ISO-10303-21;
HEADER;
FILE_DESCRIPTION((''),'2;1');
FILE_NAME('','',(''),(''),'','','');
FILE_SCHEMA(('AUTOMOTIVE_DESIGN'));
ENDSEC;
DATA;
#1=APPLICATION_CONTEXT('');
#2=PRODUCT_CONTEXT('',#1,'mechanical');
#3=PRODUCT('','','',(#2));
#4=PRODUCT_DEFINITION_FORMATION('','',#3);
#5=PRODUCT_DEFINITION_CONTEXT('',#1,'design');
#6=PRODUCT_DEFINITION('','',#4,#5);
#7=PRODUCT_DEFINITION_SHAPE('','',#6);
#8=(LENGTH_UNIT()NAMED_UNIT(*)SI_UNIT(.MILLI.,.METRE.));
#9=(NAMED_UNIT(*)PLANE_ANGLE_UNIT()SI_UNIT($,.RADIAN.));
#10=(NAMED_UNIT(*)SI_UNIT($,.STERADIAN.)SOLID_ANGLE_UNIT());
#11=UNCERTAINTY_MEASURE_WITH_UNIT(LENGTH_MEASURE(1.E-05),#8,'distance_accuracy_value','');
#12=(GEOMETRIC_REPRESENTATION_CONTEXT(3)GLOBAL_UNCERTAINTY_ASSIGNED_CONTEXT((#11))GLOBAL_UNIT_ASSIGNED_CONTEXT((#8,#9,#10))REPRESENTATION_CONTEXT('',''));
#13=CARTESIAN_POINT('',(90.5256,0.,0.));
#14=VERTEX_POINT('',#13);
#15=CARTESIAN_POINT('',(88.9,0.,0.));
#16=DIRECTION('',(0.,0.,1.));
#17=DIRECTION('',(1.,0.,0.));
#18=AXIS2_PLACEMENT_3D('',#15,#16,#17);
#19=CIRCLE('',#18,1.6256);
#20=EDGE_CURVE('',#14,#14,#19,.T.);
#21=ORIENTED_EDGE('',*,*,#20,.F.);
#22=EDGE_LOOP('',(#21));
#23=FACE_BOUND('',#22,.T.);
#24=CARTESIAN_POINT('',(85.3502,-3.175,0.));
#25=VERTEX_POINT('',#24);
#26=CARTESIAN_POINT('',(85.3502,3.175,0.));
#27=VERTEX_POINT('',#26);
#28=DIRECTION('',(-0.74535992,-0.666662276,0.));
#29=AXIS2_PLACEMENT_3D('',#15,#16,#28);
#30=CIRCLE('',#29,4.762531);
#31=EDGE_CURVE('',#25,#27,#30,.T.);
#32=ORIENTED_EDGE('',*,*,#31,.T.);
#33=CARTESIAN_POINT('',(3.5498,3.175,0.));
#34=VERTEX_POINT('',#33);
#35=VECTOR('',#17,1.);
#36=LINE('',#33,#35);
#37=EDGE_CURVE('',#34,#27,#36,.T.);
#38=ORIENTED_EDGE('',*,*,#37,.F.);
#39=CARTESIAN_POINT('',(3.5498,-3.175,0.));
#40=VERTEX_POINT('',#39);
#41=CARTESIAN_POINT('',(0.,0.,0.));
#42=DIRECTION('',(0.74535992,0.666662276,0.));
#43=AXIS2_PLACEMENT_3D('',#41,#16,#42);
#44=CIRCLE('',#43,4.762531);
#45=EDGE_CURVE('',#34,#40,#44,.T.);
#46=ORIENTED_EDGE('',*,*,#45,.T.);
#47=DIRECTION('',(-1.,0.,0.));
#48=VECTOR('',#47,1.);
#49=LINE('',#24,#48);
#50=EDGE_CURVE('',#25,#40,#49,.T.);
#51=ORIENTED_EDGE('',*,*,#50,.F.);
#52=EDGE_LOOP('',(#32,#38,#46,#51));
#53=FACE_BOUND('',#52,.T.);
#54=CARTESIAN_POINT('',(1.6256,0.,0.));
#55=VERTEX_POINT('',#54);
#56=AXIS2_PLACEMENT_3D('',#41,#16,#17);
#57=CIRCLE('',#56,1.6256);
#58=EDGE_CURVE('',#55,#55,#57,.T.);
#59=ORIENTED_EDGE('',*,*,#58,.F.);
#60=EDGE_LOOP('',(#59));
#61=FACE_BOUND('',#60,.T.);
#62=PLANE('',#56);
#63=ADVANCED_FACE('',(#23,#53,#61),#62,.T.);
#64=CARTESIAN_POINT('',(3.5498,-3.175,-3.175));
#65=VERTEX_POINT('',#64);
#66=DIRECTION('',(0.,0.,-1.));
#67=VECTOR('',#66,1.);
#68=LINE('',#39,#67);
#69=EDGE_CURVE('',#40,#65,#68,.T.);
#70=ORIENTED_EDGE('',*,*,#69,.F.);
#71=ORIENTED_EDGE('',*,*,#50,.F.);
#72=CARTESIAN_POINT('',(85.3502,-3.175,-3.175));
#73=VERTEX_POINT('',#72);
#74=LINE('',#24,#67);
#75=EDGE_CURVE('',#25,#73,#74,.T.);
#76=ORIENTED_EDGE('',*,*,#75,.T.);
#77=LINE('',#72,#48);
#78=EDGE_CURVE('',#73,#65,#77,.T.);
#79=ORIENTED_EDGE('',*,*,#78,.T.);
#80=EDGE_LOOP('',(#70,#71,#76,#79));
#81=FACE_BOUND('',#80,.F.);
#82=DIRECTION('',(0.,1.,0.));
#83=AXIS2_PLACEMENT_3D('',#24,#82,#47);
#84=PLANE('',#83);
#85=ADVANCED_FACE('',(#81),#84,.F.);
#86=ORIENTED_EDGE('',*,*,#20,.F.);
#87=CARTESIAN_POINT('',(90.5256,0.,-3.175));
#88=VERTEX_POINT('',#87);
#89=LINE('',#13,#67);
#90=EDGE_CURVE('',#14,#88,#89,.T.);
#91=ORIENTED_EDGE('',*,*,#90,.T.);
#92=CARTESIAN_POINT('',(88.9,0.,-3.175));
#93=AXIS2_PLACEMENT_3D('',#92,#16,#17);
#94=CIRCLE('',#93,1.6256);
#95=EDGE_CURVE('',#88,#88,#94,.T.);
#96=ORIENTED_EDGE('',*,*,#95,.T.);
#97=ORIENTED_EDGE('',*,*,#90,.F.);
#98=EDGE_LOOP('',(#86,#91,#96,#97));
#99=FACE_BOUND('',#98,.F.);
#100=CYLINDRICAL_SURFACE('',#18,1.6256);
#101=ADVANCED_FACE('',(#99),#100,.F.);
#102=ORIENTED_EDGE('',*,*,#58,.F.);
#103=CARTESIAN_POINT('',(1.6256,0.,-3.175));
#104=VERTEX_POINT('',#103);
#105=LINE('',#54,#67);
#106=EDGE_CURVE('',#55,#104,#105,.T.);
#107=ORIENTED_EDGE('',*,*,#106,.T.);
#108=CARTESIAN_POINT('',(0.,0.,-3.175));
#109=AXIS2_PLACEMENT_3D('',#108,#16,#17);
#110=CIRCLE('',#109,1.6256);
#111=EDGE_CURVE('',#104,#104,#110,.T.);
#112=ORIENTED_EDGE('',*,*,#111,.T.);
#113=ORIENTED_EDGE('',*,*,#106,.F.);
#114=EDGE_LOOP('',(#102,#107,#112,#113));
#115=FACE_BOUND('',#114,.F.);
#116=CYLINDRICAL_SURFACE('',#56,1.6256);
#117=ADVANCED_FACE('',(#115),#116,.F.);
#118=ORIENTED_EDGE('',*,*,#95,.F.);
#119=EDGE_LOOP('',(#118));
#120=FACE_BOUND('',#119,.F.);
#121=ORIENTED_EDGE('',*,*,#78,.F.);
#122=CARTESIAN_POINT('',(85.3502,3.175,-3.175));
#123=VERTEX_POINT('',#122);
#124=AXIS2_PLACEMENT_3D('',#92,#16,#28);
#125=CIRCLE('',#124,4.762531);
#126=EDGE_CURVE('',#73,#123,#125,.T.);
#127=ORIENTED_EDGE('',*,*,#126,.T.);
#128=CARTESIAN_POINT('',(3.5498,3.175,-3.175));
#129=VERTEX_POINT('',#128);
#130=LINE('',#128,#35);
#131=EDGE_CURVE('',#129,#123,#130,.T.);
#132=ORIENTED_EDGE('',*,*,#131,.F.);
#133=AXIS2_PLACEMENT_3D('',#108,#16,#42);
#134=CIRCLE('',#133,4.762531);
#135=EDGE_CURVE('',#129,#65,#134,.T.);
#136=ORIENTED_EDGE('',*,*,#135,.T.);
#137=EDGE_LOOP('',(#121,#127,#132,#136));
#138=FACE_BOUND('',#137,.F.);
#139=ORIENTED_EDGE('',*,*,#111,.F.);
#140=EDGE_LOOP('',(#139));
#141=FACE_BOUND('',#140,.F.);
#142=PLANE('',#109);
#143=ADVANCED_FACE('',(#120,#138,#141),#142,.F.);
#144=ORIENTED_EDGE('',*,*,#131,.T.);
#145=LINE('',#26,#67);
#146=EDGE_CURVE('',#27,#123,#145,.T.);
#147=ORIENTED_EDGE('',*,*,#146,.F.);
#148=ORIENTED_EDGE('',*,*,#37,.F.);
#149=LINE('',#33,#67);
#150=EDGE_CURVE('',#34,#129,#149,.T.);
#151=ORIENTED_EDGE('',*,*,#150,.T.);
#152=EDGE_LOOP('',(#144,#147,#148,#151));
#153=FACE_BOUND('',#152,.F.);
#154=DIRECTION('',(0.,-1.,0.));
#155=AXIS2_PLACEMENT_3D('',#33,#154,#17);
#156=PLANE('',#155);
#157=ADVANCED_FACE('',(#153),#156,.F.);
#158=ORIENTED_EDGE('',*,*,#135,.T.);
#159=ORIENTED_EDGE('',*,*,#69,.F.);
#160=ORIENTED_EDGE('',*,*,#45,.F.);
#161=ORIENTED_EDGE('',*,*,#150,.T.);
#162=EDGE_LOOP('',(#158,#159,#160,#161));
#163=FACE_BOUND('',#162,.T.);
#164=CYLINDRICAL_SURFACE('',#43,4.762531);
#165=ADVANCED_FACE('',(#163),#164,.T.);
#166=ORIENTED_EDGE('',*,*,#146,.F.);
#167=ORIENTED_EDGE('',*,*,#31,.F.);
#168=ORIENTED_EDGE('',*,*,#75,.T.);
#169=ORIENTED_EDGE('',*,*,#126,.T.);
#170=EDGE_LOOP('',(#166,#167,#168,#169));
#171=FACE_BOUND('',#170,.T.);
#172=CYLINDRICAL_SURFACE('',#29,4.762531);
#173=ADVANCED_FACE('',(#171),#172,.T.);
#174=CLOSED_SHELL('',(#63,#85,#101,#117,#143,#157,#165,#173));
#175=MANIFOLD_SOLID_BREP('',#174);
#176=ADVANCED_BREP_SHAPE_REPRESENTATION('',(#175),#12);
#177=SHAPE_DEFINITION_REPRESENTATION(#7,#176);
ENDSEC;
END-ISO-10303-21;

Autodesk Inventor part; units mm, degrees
ref_plane "YZ Plane" through (0, 0, 0) normal (1, 0, 0) x (0, 1, 0)
ref_plane "XZ Plane" through (0, 0, 0) normal (0, 1, 0) x (-1, 0, 0)
ref_plane "XY Plane" through (0, 0, 0) normal (0, 0, 1) x (1, 0, 0)
sketch "Linkagearm" plane through (0, 0, 0) normal (0, 0, 1) x (1, 0, 0)
  arc A0 (3.5498, 3.175) -> (3.5498, -3.175) centre (0, 0) ccw
  line L0 (3.5498, 3.175) -> (85.3502, 3.175)
  line L1 (85.3502, 3.175) -> (85.3502, -3.175)
  line L2 (85.3502, -3.175) -> (3.5498, -3.175)
  line L3 (3.5498, -3.175) -> (3.5498, 3.175)
  arc A1 (85.3502, -3.175) -> (85.3502, 3.175) centre (88.9, 0) ccw
  circle A2 centre (0, 0) radius 1.6256
  circle A3 centre (88.9, 0) radius 1.6256
  dimension "d0" = 9.525
  dimension "d2" = 6.35
  dimension "d3" = 9.525
  dimension "d4" = 3.2512
  dimension "d5" = 3.2512
  dimension "d8" = 88.9
extrude "Extrusion1" add sketch "Linkagearm" against normal blind 3.175
properties part number "Sun_LinkageArm"
